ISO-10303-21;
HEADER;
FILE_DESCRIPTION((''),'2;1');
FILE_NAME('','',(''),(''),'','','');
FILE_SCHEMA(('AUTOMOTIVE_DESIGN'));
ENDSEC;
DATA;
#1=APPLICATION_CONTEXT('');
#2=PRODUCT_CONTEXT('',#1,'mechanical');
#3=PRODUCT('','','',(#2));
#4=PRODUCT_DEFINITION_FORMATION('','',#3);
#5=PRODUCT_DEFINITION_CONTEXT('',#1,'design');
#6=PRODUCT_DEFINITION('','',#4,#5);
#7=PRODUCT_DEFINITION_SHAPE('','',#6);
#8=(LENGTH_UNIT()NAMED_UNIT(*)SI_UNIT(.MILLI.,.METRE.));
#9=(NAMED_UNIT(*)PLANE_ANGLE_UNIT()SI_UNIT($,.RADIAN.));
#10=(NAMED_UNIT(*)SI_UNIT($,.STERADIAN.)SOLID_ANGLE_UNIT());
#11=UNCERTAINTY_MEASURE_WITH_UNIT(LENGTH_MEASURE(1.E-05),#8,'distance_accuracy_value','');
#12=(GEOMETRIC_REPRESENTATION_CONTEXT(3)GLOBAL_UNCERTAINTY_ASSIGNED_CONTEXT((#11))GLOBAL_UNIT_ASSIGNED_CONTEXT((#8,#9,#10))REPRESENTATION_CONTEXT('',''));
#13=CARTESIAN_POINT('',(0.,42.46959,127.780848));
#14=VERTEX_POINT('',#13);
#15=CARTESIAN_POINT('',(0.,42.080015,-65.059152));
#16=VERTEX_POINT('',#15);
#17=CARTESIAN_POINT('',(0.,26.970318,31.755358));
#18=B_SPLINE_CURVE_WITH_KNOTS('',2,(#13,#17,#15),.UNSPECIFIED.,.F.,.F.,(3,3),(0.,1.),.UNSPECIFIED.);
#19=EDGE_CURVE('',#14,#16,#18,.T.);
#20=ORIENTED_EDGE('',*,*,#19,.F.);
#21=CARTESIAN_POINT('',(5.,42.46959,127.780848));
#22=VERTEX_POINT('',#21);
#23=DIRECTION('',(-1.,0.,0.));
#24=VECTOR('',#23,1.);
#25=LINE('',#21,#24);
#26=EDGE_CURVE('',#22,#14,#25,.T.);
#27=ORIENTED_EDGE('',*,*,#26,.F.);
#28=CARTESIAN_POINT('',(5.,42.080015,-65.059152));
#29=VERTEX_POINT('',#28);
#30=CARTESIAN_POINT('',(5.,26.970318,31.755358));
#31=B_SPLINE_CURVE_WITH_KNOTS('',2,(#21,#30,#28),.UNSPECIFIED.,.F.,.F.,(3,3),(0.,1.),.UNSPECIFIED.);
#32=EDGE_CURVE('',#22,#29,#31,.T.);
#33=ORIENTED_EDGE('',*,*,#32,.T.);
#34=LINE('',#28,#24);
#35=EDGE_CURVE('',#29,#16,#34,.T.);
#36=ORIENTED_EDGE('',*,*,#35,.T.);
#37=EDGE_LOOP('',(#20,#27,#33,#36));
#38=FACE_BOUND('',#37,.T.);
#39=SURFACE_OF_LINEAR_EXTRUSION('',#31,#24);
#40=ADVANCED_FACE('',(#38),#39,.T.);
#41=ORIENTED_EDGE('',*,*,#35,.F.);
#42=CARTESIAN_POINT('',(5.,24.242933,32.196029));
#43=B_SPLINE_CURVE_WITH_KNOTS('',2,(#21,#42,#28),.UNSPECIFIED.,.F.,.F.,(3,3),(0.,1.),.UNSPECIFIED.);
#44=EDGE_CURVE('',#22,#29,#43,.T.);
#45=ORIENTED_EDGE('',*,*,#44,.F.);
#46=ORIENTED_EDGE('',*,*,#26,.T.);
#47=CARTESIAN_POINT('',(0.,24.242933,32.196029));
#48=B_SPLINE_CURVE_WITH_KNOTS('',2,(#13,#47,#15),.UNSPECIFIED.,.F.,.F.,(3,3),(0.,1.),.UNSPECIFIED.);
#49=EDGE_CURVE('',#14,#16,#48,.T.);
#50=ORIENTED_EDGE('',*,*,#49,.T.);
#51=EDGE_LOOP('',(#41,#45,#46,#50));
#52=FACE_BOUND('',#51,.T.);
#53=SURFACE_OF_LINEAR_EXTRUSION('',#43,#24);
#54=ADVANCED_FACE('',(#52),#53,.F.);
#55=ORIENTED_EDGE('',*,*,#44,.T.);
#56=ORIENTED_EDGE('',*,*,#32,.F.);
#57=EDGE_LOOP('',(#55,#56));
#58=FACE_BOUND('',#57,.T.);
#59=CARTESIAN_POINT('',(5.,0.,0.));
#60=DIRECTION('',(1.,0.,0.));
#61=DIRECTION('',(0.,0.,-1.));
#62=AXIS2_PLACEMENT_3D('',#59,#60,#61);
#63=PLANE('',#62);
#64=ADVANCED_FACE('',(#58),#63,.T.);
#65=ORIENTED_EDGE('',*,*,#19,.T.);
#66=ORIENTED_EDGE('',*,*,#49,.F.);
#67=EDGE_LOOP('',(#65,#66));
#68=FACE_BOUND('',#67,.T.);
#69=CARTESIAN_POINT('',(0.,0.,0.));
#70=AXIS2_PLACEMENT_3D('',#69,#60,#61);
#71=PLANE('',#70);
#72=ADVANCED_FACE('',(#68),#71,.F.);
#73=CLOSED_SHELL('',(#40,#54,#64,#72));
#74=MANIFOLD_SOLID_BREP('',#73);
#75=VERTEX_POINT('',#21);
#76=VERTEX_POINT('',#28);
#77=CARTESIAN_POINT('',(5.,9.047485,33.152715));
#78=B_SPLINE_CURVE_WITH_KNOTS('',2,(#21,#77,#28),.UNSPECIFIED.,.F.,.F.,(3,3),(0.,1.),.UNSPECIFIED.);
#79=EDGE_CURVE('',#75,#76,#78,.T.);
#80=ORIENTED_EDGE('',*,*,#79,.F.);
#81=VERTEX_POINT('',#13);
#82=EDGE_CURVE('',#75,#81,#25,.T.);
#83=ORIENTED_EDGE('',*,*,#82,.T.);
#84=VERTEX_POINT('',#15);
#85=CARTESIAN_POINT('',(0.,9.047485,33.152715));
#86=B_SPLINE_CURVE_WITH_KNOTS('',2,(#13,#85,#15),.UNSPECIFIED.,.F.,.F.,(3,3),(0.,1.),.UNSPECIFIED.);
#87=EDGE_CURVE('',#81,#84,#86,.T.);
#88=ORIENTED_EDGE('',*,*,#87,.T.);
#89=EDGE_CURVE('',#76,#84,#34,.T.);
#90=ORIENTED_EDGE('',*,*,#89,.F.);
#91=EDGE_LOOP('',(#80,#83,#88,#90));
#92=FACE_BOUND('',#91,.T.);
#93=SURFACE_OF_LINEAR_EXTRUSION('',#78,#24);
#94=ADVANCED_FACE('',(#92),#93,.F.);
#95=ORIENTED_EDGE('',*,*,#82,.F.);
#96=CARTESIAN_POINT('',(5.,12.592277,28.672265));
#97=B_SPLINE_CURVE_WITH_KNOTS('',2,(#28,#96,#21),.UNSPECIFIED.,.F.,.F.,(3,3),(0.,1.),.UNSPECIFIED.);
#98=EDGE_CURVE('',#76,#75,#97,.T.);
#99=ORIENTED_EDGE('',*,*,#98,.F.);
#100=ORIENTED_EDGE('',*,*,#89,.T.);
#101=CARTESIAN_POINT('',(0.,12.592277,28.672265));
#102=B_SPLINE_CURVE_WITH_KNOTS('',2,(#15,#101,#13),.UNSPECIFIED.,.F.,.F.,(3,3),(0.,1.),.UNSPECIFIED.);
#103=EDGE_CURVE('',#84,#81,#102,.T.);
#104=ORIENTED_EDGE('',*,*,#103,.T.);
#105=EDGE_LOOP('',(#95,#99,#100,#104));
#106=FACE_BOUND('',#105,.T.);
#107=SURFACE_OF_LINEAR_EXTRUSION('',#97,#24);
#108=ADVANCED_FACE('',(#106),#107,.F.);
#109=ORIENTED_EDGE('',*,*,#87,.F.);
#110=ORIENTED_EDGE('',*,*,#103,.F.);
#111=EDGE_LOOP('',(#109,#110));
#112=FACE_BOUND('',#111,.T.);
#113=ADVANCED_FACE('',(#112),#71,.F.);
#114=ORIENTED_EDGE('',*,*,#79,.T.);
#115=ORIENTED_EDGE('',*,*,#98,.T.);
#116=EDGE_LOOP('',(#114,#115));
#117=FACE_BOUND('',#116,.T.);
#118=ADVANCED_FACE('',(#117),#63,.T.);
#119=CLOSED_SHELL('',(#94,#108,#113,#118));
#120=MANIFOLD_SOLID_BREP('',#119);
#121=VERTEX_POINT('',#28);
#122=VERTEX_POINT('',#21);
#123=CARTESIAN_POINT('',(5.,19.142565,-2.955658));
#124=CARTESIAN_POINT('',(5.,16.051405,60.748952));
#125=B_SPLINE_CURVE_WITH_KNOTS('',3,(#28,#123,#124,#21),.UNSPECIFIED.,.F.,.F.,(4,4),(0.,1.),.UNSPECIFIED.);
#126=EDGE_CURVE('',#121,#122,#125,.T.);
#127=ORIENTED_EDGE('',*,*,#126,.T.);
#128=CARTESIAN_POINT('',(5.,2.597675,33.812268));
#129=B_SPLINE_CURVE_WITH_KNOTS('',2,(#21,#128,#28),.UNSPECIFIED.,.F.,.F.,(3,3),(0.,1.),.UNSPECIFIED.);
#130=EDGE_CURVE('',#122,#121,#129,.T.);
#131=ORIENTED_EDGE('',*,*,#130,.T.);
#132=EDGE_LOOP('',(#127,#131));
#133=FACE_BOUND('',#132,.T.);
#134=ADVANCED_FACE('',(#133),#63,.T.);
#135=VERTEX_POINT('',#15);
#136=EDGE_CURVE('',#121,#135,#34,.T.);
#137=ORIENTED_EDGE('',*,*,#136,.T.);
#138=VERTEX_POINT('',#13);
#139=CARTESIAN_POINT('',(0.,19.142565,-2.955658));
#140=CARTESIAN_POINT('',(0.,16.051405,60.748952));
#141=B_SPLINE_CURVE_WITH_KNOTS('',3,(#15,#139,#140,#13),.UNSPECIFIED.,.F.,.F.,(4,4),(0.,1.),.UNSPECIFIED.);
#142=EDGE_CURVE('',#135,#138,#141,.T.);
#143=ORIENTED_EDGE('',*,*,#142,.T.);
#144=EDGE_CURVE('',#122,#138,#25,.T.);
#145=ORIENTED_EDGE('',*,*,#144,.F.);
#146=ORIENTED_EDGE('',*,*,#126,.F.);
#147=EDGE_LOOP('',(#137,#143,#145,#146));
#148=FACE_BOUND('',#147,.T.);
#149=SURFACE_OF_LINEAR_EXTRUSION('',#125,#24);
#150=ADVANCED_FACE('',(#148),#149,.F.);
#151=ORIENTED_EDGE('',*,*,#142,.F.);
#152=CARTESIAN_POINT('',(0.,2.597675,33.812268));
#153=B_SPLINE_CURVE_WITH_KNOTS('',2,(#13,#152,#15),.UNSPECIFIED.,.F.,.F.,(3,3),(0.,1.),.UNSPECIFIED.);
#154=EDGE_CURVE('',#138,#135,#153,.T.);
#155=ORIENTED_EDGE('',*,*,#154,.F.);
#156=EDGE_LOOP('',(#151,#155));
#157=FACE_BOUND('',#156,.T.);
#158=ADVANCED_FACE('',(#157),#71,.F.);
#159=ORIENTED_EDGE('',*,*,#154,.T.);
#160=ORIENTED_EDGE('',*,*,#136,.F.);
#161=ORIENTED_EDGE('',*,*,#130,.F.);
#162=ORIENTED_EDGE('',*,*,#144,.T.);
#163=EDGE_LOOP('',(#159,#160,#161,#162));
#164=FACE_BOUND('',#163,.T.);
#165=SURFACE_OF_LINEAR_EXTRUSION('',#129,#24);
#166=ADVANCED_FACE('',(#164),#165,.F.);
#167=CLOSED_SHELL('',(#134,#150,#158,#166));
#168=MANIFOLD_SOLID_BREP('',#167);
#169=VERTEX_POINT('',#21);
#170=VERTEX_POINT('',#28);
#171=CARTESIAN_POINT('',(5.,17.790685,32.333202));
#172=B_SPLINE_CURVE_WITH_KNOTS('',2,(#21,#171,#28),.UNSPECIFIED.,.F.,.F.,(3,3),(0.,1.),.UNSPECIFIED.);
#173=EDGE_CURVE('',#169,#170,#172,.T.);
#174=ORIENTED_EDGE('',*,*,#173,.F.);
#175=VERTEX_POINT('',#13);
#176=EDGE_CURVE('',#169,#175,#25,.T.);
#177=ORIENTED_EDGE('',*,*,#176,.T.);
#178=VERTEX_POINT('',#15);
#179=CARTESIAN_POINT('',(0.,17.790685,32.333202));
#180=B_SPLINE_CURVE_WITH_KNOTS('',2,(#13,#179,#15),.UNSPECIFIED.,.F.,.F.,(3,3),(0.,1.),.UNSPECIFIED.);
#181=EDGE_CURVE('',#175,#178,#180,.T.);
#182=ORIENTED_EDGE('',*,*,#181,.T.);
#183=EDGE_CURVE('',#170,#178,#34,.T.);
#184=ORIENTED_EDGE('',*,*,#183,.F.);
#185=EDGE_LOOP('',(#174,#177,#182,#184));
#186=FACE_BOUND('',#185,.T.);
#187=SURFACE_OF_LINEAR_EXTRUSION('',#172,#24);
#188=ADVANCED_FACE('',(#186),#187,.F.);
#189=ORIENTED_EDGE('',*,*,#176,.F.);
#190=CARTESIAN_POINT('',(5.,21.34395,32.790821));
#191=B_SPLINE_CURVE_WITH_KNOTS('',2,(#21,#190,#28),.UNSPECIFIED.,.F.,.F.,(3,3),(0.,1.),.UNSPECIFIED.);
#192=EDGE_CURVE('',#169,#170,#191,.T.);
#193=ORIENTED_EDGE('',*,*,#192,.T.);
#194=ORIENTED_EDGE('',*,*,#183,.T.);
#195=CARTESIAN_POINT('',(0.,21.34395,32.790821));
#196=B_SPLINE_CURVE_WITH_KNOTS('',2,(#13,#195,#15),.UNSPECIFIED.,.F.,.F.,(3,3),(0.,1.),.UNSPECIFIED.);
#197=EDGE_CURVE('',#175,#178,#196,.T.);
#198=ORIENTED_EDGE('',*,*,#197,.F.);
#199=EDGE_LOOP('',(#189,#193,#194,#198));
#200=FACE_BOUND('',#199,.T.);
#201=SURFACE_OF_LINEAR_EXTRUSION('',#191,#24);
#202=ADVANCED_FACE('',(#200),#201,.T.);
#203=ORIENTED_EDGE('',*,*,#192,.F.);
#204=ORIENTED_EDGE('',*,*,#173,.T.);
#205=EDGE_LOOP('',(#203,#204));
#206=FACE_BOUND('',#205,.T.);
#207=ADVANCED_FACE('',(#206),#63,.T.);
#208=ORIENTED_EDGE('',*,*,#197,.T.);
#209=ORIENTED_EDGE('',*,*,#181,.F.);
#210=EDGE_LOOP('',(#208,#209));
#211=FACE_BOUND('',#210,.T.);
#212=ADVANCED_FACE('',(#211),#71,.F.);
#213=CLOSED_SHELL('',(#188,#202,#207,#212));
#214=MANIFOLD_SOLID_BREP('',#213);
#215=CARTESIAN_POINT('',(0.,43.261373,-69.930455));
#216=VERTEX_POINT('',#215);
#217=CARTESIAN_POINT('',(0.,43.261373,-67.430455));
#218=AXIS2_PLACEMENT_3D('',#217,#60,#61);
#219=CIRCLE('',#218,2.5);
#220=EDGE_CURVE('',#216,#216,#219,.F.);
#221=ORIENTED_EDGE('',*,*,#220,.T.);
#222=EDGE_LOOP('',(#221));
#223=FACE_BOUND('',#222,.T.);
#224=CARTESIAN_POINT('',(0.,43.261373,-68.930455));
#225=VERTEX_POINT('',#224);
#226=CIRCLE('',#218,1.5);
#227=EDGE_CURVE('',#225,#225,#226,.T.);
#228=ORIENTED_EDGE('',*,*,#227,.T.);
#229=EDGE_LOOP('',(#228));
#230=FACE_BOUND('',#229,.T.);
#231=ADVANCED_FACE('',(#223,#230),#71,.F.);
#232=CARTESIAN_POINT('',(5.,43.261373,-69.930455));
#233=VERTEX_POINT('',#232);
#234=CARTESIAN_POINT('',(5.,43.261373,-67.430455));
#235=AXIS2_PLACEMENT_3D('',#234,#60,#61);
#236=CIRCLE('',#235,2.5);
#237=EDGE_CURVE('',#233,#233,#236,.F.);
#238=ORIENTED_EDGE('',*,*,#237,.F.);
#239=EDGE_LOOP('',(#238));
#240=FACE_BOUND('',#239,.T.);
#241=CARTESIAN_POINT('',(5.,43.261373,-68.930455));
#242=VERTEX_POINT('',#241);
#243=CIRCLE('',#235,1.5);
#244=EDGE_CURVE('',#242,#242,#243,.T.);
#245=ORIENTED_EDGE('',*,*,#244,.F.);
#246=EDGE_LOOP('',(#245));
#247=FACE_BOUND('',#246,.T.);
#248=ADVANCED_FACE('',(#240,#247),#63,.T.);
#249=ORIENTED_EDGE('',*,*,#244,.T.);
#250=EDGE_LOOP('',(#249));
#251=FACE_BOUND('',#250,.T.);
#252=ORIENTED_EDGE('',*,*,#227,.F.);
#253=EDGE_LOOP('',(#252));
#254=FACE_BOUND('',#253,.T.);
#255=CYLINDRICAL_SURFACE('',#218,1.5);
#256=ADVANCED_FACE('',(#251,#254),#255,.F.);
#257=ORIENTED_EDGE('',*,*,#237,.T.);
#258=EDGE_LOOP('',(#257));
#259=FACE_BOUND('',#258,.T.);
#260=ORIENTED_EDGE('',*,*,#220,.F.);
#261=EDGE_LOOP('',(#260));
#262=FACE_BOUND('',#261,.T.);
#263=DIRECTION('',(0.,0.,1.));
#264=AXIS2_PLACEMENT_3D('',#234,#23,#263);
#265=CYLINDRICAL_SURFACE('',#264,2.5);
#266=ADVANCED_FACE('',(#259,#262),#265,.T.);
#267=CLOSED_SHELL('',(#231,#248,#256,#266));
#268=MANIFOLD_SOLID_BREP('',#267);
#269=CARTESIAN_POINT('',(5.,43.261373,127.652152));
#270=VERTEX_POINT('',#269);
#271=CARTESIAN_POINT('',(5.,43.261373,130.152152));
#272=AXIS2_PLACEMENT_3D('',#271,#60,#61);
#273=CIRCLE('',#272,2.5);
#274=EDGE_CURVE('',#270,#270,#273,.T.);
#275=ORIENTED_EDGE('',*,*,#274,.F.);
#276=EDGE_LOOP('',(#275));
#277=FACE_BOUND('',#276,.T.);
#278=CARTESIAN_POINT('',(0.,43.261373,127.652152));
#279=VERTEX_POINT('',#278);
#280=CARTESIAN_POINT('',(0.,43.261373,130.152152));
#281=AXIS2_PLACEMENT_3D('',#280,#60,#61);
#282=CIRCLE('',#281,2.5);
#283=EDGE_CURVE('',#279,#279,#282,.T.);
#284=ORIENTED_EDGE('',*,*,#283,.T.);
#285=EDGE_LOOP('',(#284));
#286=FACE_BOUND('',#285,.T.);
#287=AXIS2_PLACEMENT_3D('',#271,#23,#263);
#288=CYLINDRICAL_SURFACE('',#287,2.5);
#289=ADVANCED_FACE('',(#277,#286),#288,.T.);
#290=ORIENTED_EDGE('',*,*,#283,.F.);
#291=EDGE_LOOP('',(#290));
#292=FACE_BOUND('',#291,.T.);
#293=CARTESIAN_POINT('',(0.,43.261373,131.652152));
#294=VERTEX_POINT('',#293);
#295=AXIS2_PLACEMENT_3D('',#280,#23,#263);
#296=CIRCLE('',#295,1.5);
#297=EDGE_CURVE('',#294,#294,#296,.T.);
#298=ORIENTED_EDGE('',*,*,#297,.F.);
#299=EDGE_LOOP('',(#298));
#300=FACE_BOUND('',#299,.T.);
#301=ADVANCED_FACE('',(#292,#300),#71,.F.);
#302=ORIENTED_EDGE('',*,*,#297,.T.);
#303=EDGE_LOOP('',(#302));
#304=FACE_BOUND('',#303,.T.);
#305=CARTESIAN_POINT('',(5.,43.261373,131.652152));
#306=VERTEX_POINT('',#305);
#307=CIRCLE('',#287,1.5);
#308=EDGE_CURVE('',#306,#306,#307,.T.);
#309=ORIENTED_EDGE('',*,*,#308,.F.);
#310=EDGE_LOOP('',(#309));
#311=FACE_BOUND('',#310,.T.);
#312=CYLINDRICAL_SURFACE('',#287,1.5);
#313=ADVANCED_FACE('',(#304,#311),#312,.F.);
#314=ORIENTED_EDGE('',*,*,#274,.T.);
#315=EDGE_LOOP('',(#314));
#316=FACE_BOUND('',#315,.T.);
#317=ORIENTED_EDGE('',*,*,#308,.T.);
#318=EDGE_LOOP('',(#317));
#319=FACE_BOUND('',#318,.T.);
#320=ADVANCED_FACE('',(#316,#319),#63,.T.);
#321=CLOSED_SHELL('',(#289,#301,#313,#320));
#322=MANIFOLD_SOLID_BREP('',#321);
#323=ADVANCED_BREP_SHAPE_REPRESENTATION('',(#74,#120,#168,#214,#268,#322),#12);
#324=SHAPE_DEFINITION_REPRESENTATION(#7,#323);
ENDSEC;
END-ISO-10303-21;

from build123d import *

# Parameters (mm, degrees)
SKETCH1_R             = 2.5
BOSS_EXTRUDE3_DEPTH   = 5
BOSS_EXTRUDE3_2_DEPTH = 5
BOSS_EXTRUDE3_3_DEPTH = 5
BOSS_EXTRUDE3_4_DEPTH = 5
BOSS_EXTRUDE3_5_DEPTH = 5
BOSS_EXTRUDE3_6_DEPTH = 5
SKETCH3_R             = 1.5
CUT_EXTRUDE2_DEPTH    = 5
SKETCH4_R             = 1.5
CUT_EXTRUDE3_DEPTH    = 5


with BuildPart() as part:
    # Sketch1 → Boss-Extrude3 (new body)
    with BuildSketch(Plane(origin=(0, 0, 0), x_dir=(0, 0, -1), z_dir=(1, 0, 0))):
        with Locations((-130.152152052, 43.261372857)):
            Circle(SKETCH1_R)
    extrude(amount=BOSS_EXTRUDE3_DEPTH)

    # Sketch4 → Cut-Extrude3 (cut)
    with BuildSketch(Plane.ZY):
        with Locations((130.152152052, 43.261372857)):
            Circle(SKETCH4_R)
    extrude(amount=-CUT_EXTRUDE3_DEPTH, mode=Mode.SUBTRACT)


with BuildPart() as body_2:
    # Sketch1 → Boss-Extrude3 2 (new body)
    with BuildSketch(Plane(origin=(0, 0, 0), x_dir=(0, 0, -1), z_dir=(1, 0, 0))):
        with Locations((67.430455083, 43.261372857)):
            Circle(SKETCH1_R)
    extrude(amount=BOSS_EXTRUDE3_2_DEPTH)

    # Sketch3 → Cut-Extrude2 (cut)
    with BuildSketch(Plane(origin=(5, 0, 0), x_dir=(0, 0, -1), z_dir=(1, 0, 0))):
        with Locations((67.430455083, 43.261372857)):
            Circle(SKETCH3_R)
    extrude(amount=-CUT_EXTRUDE2_DEPTH, mode=Mode.SUBTRACT)


with BuildPart() as body_3:
    # Sketch1 → Boss-Extrude3 3 (new body)
    with BuildSketch(Plane(origin=(0, 0, 0), x_dir=(0, 0, -1), z_dir=(1, 0, 0))):
        with BuildLine():
            add(Edge.make_bspline(
                [(-127.780848485, 42.469590443), (-31.755358337, 26.970318458), (65.059151515, 42.080014685)],
                knots=[0, 0, 0, 1, 1, 1], degree=2))
            add(Edge.make_bspline(
                [(-127.780848485, 42.469590443), (-32.196029377, 24.242932654), (65.059151515, 42.080014685)],
                knots=[0, 0, 0, 1, 1, 1], degree=2))
        make_face()
    extrude(amount=BOSS_EXTRUDE3_3_DEPTH)


with BuildPart() as body_4:
    # Sketch1 → Boss-Extrude3 4 (new body)
    with BuildSketch(Plane(origin=(0, 0, 0), x_dir=(0, 0, -1), z_dir=(1, 0, 0))):
        with BuildLine():
            add(Edge.make_bspline(
                [(-127.780848485, 42.469590443), (-32.79082066, 21.343949998), (65.059151515, 42.080014685)],
                knots=[0, 0, 0, 1, 1, 1], degree=2))
            add(Edge.make_bspline(
                [(-127.780848485, 42.469590443), (-32.333202084, 17.790684743), (65.059151515, 42.080014685)],
                knots=[0, 0, 0, 1, 1, 1], degree=2))
        make_face()
    extrude(amount=BOSS_EXTRUDE3_4_DEPTH)


with BuildPart() as body_5:
    # Sketch1 → Boss-Extrude3 5 (new body)
    with BuildSketch(Plane(origin=(0, 0, 0), x_dir=(0, 0, -1), z_dir=(1, 0, 0))):
        with BuildLine():
            add(Edge.make_bspline(
                [(-127.780848485, 42.469590443), (-33.152715368, 9.047484995), (65.059151515, 42.080014685)],
                knots=[0, 0, 0, 1, 1, 1], degree=2))
            add(Edge.make_bspline(
                [(65.059151515, 42.080014685), (-28.672265267, 12.592276626), (-127.780848485, 42.469590443)],
                knots=[0, 0, 0, 1, 1, 1], degree=2))
        make_face()
    extrude(amount=BOSS_EXTRUDE3_5_DEPTH)


with BuildPart() as body_6:
    # Sketch1 → Boss-Extrude3 6 (new body)
    with BuildSketch(Plane(origin=(0, 0, 0), x_dir=(0, 0, -1), z_dir=(1, 0, 0))):
        with BuildLine():
            add(Edge.make_bspline(
                [(-127.780848485, 42.469590443), (-33.812268468, 2.597675449), (65.059151515, 42.080014685)],
                knots=[0, 0, 0, 1, 1, 1], degree=2))
            add(Edge.make_bspline(
                [(65.059151515, 42.080014685), (2.955658013, 19.142565321), (-60.748951765, 16.051405144), (-127.780848485, 42.469590443)],
                knots=[0, 0, 0, 0, 1, 1, 1, 1], degree=3))
        make_face()
    extrude(amount=BOSS_EXTRUDE3_6_DEPTH)


solid = Compound([part.part, body_2.part, body_3.part, body_4.part, body_5.part, body_6.part])
